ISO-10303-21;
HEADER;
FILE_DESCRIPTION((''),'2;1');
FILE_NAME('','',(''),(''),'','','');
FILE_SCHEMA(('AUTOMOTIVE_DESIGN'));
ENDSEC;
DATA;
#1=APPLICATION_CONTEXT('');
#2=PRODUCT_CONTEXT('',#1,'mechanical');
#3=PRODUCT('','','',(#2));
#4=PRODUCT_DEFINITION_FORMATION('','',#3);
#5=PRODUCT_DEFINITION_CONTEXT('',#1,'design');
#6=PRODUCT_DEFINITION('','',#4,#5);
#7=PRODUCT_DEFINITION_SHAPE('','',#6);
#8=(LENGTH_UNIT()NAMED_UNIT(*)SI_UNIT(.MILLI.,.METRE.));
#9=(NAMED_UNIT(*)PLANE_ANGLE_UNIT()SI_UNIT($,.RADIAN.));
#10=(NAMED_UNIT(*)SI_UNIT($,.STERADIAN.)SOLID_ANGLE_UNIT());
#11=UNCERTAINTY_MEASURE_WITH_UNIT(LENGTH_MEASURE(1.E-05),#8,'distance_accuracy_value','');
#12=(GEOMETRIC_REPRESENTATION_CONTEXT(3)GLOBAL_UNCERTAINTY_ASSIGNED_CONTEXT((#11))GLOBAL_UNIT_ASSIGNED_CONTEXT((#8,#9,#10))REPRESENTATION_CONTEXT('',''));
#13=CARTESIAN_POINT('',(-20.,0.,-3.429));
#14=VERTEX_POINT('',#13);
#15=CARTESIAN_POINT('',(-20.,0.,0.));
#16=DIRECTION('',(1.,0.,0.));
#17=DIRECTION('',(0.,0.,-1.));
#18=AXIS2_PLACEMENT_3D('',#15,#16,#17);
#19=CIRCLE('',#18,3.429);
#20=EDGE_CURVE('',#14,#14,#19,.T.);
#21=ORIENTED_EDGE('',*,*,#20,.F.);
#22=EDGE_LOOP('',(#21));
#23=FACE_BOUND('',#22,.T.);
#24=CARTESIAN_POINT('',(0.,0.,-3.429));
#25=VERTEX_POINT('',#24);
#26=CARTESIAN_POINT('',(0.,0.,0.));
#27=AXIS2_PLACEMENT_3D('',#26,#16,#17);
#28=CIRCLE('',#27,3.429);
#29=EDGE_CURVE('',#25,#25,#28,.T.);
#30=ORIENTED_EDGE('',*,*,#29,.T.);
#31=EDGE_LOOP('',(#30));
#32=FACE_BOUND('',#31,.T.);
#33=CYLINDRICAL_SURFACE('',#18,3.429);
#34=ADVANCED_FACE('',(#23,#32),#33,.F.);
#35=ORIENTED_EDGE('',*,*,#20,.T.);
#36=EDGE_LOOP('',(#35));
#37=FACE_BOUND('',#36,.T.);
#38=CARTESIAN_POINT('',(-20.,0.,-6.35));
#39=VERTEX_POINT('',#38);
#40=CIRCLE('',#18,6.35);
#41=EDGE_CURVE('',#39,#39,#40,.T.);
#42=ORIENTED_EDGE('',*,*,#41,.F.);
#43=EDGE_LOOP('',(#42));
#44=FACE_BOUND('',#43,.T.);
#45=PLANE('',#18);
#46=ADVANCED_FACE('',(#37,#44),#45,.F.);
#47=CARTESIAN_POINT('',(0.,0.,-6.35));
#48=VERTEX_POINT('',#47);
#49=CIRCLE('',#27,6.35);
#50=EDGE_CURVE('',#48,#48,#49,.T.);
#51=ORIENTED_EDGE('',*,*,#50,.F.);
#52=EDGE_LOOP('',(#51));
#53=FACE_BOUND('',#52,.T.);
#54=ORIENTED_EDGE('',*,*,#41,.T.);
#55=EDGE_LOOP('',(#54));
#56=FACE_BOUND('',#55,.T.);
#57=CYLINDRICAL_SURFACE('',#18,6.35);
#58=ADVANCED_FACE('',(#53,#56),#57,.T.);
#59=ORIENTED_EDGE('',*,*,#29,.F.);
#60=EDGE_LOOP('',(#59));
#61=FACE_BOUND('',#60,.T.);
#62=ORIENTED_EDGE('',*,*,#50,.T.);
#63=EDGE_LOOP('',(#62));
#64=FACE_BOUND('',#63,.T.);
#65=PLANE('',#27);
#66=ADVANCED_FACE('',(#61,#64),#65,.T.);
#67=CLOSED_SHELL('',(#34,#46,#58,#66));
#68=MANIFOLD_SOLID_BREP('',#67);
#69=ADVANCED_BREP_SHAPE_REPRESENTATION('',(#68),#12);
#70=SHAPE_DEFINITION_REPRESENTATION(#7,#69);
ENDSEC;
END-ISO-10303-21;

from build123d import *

# Parameters (mm, degrees)
ESQUISSE1_R        = 6.35
ESQUISSE1_R_2      = 3.429
BOSS_EXTRU_1_DEPTH = 20


with BuildPart() as part:
    # Esquisse1 → Boss.-Extru.1 (new body)
    with BuildSketch(Plane(origin=(0, 0, 0), x_dir=(0, 0, -1), z_dir=(1, 0, 0))):
        Circle(ESQUISSE1_R)
        Circle(ESQUISSE1_R_2, mode=Mode.SUBTRACT)
    extrude(amount=-BOSS_EXTRU_1_DEPTH)


solid = part.part
